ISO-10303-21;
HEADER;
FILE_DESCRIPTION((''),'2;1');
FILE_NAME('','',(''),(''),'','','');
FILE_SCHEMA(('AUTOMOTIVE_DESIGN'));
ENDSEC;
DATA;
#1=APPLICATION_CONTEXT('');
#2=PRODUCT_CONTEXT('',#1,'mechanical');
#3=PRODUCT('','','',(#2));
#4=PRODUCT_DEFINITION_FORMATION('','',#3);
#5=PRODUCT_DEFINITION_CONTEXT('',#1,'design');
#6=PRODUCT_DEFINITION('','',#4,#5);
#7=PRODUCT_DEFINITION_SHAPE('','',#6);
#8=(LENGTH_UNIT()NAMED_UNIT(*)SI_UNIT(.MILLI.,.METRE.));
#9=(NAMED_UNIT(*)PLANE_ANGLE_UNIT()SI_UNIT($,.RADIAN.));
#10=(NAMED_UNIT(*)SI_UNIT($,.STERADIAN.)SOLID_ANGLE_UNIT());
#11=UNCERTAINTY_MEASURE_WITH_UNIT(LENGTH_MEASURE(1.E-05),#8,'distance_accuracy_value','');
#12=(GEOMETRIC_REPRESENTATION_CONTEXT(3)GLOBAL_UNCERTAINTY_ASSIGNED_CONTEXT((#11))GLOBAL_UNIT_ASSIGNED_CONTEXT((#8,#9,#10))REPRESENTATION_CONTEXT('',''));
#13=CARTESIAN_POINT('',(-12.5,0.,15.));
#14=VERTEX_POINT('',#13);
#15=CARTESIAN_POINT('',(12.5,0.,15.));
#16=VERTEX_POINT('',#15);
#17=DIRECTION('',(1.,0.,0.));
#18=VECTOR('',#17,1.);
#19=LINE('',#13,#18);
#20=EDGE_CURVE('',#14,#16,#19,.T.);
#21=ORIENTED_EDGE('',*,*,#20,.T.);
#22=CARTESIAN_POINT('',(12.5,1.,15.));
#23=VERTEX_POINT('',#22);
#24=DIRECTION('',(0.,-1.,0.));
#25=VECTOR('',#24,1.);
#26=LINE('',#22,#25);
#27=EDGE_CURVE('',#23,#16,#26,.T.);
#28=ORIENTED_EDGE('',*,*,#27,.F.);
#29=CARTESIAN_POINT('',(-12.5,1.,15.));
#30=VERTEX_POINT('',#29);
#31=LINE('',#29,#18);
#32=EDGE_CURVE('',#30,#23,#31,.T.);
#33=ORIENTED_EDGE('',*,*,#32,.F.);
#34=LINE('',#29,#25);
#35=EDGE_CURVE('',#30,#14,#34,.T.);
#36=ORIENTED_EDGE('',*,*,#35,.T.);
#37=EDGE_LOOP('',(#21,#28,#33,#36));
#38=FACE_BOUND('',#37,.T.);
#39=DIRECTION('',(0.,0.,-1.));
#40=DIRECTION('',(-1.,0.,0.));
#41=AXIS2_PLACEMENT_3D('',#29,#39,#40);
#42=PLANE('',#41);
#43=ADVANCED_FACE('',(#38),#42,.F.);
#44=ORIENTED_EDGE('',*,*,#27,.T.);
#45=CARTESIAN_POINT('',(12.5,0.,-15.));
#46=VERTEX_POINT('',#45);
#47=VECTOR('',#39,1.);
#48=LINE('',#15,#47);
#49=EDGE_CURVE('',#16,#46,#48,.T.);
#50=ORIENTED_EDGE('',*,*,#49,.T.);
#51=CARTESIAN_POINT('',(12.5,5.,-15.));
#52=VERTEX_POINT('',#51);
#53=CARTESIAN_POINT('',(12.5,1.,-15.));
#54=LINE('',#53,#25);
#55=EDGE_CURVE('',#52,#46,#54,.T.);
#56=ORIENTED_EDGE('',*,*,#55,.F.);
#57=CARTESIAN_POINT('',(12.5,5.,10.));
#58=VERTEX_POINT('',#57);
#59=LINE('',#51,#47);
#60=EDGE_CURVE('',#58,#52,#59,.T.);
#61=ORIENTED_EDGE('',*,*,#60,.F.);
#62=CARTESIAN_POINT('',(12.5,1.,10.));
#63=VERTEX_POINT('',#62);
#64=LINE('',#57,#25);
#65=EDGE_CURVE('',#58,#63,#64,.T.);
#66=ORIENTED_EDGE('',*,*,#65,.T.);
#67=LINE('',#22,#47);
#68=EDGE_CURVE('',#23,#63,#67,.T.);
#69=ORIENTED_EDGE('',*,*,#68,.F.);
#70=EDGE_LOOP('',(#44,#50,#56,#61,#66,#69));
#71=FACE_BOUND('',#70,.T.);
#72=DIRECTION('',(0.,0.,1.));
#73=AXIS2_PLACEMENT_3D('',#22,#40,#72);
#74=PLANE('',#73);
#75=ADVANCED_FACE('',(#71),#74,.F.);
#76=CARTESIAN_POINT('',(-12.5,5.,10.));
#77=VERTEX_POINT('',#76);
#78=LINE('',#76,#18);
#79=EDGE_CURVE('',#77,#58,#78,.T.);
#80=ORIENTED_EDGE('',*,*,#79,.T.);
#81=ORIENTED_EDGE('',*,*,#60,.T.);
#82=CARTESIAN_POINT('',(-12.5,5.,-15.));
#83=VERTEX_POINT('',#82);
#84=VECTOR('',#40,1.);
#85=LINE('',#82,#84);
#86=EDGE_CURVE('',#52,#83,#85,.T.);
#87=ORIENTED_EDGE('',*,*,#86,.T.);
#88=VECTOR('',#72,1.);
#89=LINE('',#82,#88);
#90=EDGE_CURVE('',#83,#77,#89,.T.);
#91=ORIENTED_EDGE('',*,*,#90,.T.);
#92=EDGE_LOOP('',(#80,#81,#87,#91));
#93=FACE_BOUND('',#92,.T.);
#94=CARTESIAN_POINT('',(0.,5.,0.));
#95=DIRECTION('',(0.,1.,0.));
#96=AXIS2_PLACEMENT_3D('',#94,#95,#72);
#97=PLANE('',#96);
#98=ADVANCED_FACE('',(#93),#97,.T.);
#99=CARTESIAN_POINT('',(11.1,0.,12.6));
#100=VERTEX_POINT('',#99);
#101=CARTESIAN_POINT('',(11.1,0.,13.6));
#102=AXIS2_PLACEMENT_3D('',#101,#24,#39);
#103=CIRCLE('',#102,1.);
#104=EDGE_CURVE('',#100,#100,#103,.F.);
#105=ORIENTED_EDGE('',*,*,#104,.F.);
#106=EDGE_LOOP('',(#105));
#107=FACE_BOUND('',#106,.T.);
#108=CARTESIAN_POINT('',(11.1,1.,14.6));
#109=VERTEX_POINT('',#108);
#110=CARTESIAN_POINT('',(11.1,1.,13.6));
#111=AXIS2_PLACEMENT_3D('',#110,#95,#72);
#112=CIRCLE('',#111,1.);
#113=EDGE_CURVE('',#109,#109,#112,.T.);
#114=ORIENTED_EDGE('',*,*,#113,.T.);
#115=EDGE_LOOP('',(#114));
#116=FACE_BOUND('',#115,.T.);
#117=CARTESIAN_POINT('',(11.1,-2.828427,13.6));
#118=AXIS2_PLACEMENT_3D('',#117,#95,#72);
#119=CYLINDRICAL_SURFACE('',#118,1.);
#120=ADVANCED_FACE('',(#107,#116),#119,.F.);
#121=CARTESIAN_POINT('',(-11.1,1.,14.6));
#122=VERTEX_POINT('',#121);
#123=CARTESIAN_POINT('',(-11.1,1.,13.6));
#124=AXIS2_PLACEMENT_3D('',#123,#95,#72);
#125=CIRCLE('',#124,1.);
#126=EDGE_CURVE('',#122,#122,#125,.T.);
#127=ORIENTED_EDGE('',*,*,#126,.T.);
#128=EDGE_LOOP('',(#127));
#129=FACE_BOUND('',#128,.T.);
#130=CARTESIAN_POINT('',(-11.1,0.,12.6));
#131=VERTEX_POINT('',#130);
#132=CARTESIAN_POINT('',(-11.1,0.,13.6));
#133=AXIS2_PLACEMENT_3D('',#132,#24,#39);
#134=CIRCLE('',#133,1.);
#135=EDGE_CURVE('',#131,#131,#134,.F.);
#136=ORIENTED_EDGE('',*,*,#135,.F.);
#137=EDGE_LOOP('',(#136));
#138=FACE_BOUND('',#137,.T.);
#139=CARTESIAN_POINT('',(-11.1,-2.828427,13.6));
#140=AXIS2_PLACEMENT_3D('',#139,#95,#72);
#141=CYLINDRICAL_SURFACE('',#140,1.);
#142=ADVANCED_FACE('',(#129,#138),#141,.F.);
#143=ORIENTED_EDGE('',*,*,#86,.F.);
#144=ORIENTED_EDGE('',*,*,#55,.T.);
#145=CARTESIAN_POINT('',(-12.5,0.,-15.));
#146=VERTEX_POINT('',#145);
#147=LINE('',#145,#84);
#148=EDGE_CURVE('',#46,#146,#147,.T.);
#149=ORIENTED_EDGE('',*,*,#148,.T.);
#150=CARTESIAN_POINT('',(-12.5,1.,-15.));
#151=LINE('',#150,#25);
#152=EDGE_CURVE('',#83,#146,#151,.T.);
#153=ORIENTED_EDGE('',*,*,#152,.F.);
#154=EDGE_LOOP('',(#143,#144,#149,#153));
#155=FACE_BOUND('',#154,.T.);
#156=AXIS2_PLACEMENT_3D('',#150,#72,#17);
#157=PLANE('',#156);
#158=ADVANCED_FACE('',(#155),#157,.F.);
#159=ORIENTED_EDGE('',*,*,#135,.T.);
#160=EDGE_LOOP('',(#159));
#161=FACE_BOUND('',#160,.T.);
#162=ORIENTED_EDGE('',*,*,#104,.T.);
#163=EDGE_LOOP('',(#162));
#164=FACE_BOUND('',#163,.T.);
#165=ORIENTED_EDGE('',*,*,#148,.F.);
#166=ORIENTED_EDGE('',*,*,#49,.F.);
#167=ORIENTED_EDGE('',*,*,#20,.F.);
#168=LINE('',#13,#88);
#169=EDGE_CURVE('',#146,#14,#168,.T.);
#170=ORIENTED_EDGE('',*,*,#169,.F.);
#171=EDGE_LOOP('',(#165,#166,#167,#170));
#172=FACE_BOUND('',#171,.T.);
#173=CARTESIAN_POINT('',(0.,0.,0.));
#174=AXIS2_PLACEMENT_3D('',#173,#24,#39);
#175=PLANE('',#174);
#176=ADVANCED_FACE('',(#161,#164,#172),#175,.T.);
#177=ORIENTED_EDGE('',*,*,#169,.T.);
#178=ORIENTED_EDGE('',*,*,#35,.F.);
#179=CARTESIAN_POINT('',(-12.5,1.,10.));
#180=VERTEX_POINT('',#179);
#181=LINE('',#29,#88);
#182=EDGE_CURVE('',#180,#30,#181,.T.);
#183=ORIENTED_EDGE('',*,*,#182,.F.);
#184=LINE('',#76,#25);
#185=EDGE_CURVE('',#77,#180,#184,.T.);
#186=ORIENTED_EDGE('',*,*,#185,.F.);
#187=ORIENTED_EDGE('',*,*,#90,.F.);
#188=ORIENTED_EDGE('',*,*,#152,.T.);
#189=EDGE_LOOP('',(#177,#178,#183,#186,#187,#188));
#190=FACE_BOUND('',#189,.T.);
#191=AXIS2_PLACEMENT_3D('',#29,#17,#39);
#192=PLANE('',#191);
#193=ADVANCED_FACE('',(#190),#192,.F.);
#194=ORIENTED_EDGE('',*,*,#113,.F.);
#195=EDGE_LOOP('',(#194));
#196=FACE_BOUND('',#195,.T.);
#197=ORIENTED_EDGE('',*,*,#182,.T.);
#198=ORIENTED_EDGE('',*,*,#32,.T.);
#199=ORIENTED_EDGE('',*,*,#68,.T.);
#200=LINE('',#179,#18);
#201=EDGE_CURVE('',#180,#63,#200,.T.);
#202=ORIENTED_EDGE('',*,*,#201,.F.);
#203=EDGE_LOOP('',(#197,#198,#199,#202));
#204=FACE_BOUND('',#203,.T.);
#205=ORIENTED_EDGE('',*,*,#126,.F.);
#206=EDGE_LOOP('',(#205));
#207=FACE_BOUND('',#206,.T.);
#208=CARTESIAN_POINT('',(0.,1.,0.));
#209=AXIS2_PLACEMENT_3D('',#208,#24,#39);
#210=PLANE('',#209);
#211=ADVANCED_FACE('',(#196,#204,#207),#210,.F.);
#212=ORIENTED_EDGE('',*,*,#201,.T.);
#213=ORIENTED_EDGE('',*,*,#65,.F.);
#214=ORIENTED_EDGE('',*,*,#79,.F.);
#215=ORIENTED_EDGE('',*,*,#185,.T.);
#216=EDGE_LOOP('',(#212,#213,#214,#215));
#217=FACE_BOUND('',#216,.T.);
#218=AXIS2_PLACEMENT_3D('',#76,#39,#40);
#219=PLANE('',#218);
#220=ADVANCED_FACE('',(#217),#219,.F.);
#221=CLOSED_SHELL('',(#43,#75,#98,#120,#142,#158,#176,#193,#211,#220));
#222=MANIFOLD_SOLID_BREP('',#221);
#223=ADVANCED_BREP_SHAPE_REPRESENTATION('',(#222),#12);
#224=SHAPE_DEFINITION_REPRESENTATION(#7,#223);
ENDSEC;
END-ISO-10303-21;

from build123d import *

# Parameters (mm, degrees)
SKETCH_1_W          = 25
SKETCH_1_H          = 30
EXTRUDE_1_DEPTH     = 1
SKETCH_2_W          = 25
SKETCH_2_H          = 25
EXTRUDE_2_DEPTH     = 4
SKETCH_3_R          = 1
CUT_EXTRUDE_1_DEPTH = 1


with BuildPart() as part:
    # 草图1 → 凸台-拉伸1 (new body)
    with BuildSketch(Plane(origin=(0, 0, 0), x_dir=(1, 0, 0), z_dir=(0, 1, 0))):
        Rectangle(SKETCH_1_W, SKETCH_1_H)
    extrude(amount=EXTRUDE_1_DEPTH)

    # 草图2 → 凸台-拉伸2 (add)
    with BuildSketch(Plane(origin=(0, 1, 0), x_dir=(1, 0, 0), z_dir=(0, 1, 0))):
        with Locations((0, 2.5)):
            Rectangle(SKETCH_2_W, SKETCH_2_H)
    extrude(amount=EXTRUDE_2_DEPTH)

    # 草图3 → 切除-拉伸1 (cut)
    with BuildSketch(Plane(origin=(0, 1, 0), x_dir=(1, 0, 0), z_dir=(0, 1, 0))):
        with Locations(Location((-11.1, -13.6, 0), (0, 0, 270))):
            Circle(SKETCH_3_R)
        with Locations(Location((11.1, -13.6, 0), (0, 0, 270))):
            Circle(SKETCH_3_R)
    extrude(amount=-CUT_EXTRUDE_1_DEPTH, mode=Mode.SUBTRACT)


solid = part.part
